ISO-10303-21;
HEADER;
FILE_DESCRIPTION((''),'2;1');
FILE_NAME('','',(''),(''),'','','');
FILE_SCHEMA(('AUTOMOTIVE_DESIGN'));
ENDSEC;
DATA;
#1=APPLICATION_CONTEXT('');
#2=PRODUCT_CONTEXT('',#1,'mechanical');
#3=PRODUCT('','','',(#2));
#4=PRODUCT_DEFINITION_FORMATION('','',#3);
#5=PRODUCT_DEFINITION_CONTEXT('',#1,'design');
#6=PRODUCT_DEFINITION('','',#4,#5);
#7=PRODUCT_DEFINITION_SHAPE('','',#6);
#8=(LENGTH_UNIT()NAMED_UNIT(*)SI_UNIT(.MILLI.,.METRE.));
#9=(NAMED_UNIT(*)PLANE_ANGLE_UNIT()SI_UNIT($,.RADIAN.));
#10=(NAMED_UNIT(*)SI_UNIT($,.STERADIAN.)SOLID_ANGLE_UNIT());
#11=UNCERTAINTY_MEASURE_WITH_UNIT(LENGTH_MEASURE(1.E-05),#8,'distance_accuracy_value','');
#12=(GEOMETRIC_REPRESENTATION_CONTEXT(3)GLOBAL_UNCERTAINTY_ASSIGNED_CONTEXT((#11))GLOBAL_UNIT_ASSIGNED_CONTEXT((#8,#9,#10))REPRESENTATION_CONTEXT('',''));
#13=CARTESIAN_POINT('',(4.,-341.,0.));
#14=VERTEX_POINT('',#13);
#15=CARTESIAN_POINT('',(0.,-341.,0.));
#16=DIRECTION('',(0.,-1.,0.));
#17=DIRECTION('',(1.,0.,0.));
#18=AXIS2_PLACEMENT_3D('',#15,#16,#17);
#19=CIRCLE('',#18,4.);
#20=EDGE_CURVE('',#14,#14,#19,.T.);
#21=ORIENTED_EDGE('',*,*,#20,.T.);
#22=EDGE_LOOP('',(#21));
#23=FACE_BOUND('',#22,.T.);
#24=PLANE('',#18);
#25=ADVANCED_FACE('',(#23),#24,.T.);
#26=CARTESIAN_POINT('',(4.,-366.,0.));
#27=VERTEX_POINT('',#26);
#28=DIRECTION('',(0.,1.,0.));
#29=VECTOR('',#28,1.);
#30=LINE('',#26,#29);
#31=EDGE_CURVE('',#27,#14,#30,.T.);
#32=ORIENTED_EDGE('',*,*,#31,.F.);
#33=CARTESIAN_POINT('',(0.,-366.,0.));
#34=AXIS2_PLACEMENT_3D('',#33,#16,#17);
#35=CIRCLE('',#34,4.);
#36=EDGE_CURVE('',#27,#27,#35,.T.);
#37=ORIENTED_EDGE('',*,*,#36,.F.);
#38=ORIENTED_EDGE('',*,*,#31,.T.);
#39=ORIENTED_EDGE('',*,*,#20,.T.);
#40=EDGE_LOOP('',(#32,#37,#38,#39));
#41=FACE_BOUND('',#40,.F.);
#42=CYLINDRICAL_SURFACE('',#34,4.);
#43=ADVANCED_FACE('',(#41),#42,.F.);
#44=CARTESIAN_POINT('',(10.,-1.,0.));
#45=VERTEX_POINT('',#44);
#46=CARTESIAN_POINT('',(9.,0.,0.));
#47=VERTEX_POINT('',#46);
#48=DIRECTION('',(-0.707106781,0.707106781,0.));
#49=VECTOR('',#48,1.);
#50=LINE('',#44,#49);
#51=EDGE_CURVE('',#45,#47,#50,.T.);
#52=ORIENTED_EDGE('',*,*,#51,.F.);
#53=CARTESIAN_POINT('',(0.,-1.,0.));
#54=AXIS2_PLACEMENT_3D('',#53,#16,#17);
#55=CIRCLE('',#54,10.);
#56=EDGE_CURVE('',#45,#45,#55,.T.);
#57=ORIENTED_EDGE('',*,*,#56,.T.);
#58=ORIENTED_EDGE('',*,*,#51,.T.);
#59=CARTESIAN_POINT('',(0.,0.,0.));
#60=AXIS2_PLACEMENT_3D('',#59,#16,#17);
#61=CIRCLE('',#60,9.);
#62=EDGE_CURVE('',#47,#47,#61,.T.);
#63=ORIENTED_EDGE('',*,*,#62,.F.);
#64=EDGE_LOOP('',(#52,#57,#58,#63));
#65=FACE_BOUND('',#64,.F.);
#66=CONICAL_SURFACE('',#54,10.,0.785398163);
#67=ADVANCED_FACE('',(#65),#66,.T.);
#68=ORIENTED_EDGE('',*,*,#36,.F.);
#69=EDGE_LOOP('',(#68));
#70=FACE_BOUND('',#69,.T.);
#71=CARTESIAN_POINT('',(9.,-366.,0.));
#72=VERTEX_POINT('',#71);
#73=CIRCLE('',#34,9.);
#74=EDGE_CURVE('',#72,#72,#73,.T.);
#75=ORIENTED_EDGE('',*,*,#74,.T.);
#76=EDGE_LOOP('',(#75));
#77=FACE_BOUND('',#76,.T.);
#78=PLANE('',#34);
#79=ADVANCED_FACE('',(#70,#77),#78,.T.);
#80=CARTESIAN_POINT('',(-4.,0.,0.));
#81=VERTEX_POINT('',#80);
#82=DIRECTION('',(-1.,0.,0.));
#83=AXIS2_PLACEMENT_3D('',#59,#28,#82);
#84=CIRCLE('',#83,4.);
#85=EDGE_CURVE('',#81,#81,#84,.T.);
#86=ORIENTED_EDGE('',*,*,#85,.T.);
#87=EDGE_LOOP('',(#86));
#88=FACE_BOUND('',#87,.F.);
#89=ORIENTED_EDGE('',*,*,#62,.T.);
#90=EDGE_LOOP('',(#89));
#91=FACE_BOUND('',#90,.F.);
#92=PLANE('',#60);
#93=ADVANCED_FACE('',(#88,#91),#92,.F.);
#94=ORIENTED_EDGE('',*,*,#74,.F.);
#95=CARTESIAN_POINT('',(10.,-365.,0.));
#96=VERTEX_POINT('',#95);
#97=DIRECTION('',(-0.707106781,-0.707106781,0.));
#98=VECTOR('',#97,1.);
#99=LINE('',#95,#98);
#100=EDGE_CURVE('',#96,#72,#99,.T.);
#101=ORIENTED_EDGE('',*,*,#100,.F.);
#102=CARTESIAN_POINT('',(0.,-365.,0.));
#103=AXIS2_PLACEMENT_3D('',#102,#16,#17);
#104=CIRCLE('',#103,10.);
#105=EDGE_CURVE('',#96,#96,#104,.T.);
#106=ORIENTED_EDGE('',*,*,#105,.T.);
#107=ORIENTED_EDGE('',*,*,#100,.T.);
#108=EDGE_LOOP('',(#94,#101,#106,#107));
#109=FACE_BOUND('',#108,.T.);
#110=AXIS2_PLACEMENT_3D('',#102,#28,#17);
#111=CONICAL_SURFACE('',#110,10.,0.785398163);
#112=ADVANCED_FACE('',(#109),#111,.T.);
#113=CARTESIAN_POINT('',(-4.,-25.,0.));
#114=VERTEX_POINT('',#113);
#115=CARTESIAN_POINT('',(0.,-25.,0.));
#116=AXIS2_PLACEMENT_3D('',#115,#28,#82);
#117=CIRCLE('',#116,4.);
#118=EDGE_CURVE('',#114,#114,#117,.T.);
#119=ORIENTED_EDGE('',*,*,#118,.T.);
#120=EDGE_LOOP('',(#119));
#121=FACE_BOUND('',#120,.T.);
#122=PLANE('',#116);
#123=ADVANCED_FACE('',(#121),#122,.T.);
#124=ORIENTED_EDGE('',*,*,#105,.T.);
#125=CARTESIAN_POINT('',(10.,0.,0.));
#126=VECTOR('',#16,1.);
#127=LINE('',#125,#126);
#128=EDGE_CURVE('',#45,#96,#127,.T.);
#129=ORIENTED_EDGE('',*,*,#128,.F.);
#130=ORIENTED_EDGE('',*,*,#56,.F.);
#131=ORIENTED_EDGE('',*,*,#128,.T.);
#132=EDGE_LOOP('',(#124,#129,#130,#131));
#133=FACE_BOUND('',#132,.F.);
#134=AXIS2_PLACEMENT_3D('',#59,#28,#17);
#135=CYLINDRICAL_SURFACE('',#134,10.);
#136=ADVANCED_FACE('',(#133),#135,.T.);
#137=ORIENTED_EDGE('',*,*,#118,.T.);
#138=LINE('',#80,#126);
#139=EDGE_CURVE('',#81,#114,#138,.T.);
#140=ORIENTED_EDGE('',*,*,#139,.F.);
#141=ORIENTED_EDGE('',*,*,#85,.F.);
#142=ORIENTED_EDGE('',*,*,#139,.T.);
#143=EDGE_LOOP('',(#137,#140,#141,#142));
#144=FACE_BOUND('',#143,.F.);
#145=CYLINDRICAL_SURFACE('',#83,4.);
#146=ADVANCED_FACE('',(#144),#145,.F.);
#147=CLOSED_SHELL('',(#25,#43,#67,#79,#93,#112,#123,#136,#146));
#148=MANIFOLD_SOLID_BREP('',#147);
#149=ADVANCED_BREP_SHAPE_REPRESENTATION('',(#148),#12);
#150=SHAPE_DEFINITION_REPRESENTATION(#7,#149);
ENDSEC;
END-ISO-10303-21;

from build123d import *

# Parameters (mm, degrees)
F0_R     = 10
F1_DEPTH = 366
F2_SIZE  = 1
F3_R     = 4
F4_DEPTH = 25
F5_R     = 4
F6_DEPTH = 25


with BuildPart() as f1:
    # F0 (on Front) → F1 (new body)
    with BuildSketch(Plane.XZ):
        Circle(F0_R)
    extrude(amount=F1_DEPTH)

    # F2
    f2_edges = [f1.edges().sort_by_distance(p)[0] for p in [
        (-10, -366, 0),
        (-10, 0, 0),
    ]]
    chamfer(f2_edges, length=F2_SIZE)

    # F3 (on face) → F4 (cut)
    with BuildSketch(Plane.XZ.offset(366)):
        Circle(F3_R)
    extrude(amount=-F4_DEPTH, mode=Mode.SUBTRACT)

    # F5 (on face) → F6 (cut)
    with BuildSketch(Plane(origin=(0, 0, 0), x_dir=(-1, 0, 0), z_dir=(0, 1, 0))):
        Circle(F5_R)
    extrude(amount=-F6_DEPTH, mode=Mode.SUBTRACT)


solid = f1.part
